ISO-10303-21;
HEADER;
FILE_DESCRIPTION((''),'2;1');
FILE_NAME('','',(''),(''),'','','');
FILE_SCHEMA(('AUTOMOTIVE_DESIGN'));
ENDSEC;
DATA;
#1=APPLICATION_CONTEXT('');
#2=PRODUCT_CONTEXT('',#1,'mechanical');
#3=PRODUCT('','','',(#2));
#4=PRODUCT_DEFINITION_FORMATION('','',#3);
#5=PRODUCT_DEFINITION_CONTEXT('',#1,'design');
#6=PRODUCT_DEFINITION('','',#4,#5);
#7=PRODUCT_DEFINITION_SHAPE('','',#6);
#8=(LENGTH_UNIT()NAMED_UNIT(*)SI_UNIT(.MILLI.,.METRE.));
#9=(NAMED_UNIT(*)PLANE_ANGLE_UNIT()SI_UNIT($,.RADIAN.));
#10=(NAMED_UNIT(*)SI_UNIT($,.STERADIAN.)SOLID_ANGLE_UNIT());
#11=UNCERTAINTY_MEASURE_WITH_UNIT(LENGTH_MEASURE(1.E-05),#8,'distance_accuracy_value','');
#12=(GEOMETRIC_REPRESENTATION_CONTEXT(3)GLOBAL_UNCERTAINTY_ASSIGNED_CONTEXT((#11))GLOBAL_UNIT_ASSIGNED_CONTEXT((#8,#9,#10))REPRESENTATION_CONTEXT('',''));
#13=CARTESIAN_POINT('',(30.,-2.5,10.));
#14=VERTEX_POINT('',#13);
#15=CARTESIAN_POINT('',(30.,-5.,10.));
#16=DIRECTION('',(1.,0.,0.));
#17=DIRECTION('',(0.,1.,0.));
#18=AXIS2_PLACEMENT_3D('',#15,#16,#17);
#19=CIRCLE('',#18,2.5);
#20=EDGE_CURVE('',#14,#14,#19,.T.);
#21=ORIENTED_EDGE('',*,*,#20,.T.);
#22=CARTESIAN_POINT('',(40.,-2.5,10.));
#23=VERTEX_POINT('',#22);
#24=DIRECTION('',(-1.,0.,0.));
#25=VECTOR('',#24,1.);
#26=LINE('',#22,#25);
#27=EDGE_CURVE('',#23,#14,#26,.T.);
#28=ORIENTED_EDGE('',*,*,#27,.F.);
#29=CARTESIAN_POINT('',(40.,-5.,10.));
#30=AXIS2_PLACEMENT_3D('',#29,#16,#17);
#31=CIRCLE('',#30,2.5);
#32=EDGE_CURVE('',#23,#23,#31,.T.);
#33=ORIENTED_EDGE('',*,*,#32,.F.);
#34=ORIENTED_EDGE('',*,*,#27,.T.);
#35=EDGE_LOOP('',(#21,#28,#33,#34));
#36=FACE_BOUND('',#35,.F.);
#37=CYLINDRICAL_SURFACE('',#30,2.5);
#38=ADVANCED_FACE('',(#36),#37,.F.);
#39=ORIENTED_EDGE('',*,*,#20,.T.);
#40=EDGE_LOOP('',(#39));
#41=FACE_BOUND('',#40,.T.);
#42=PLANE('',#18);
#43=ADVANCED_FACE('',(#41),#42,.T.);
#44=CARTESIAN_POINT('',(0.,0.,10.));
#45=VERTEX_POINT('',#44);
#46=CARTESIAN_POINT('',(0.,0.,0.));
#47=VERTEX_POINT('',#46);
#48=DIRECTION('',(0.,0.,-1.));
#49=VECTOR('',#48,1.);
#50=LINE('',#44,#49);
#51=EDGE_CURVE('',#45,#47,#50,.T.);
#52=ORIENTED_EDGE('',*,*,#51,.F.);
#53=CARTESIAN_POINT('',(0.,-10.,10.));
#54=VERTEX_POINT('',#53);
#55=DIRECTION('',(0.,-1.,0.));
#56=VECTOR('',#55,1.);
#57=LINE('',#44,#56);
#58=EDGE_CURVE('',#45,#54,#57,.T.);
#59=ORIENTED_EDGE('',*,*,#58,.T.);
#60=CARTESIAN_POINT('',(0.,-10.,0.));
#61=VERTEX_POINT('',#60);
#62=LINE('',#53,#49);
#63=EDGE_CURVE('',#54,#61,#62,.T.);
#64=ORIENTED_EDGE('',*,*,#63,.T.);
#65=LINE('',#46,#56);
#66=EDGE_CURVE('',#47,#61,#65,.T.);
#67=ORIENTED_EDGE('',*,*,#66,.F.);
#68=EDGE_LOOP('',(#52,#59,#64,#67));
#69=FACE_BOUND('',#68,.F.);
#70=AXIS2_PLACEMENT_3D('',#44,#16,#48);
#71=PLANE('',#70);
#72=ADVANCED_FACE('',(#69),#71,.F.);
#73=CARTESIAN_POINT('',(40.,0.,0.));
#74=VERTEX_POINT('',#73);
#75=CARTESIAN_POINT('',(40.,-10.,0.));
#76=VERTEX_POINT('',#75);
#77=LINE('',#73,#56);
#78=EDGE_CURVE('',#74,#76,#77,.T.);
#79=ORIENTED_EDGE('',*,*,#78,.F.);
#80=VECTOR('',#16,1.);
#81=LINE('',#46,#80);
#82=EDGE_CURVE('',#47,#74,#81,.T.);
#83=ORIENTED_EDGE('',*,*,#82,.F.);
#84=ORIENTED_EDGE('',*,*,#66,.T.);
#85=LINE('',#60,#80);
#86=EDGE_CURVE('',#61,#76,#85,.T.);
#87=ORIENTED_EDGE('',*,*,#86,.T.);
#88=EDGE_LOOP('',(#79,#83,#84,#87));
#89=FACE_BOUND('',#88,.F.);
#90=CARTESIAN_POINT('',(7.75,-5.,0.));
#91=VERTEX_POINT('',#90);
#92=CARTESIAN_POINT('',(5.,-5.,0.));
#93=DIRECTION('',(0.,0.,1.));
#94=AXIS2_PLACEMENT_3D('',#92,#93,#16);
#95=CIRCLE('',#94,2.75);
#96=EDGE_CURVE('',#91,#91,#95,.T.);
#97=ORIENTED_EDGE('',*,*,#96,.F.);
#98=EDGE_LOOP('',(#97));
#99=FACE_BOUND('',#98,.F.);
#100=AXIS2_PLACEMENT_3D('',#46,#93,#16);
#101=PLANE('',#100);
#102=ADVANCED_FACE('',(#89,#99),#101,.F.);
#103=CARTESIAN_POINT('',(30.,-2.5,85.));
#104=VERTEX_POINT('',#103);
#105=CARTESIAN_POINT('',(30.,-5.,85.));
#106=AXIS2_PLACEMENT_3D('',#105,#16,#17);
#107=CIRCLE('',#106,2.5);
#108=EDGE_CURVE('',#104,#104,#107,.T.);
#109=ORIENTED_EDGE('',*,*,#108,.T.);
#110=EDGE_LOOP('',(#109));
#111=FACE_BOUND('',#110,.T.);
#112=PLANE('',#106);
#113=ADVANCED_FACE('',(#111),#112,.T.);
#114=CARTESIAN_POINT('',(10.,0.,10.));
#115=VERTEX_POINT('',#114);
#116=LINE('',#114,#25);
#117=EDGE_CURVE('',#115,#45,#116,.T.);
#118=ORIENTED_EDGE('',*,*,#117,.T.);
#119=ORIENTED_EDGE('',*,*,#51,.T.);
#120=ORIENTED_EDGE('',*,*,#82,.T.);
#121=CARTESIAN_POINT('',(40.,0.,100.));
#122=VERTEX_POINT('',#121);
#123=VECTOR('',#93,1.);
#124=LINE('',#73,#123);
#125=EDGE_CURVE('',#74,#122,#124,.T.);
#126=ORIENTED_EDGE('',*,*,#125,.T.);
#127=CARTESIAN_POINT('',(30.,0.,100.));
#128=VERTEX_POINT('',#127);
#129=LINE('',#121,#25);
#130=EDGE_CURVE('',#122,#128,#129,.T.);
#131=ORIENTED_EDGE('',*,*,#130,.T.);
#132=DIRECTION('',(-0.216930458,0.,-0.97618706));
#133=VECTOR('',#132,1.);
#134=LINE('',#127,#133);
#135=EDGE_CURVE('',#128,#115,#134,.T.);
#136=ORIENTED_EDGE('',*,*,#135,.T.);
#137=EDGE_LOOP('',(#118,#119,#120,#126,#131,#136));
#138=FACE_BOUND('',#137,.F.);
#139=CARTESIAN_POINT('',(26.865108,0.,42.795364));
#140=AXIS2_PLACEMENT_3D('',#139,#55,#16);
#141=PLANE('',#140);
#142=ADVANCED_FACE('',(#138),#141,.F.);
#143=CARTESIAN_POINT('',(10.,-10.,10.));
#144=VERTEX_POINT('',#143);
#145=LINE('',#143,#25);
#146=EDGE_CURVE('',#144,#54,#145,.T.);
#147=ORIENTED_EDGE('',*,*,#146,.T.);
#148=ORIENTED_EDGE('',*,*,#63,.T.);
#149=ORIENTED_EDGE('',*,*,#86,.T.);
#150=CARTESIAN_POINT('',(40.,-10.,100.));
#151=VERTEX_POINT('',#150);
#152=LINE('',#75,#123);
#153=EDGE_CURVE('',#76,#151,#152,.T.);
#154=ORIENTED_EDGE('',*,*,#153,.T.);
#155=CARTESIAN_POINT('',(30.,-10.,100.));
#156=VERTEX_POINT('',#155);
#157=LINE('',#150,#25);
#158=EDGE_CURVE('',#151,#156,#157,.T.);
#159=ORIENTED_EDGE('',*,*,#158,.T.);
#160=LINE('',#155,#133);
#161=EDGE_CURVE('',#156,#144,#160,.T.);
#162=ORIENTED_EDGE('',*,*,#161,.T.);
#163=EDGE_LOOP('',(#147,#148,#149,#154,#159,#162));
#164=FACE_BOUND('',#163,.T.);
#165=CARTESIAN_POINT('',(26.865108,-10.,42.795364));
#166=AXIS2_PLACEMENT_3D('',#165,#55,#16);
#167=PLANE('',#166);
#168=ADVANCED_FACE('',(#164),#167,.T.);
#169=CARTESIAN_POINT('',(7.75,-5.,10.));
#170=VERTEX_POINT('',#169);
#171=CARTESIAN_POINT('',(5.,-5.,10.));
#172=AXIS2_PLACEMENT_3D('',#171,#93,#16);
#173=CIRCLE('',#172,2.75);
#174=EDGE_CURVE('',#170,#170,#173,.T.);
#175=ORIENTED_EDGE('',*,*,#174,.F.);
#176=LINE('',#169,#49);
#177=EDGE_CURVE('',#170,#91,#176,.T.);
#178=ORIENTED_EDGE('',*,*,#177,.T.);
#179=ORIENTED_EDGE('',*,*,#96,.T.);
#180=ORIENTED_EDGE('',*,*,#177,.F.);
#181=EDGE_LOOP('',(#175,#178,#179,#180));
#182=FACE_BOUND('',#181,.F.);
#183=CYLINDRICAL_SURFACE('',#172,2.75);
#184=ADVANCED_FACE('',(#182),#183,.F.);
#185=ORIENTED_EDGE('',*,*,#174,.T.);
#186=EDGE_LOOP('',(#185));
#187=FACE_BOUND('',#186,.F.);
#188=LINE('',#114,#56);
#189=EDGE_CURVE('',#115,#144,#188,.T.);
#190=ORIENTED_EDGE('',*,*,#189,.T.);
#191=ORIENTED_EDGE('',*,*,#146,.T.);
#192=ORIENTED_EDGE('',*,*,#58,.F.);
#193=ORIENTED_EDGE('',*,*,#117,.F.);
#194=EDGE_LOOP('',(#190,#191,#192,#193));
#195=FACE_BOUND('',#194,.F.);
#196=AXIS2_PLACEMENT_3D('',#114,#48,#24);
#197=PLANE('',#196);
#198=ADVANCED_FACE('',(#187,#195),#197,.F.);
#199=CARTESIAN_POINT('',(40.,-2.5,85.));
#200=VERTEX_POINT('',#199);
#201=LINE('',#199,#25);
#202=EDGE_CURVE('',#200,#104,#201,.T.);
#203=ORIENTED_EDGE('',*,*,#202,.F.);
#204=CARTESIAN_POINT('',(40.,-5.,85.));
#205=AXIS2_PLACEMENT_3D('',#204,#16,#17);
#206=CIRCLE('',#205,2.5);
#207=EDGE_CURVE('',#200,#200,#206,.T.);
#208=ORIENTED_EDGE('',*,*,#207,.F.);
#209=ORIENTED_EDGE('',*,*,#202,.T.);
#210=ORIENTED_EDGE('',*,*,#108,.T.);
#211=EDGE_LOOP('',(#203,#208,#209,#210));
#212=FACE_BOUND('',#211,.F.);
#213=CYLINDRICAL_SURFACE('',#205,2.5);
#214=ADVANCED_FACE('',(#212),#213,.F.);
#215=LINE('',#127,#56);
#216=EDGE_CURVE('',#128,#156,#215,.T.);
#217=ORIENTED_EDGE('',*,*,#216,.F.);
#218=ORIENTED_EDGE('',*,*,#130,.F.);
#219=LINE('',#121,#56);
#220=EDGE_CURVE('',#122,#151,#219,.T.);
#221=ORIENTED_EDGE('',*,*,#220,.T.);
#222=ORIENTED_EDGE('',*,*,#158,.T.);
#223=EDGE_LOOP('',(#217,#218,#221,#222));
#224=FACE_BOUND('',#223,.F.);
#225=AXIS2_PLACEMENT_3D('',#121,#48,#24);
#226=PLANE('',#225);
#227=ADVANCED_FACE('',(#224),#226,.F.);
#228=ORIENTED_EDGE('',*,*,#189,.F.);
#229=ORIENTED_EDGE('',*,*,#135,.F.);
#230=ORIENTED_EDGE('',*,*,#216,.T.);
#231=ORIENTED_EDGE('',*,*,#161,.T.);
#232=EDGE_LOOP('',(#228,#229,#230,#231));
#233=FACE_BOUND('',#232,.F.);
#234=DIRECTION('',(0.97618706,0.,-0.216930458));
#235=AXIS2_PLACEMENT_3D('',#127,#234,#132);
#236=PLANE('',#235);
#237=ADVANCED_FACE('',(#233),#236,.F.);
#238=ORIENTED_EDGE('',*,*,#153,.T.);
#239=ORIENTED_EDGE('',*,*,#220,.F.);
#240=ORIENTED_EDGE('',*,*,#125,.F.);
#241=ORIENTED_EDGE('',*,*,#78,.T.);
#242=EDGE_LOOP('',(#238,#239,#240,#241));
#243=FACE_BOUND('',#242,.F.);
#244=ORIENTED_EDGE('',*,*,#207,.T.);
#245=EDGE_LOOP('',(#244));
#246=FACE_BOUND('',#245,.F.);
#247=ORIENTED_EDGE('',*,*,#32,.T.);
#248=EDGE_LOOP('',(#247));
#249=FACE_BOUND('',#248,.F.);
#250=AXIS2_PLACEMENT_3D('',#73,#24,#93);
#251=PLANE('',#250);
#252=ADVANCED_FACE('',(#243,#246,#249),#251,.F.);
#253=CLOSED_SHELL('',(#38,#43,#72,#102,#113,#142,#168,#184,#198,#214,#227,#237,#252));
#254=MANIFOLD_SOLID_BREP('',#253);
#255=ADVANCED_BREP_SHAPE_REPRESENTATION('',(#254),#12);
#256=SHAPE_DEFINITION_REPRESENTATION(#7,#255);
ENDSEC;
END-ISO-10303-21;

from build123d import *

# Parameters (mm, degrees)
F1_DEPTH = 10
F2_R     = 2.75
F3_DEPTH = 25
F4_R     = 2.5
F5_DEPTH = 10


with BuildPart() as f1:
    # F0 (on Front) → F1 (new body)
    with BuildSketch(Plane.XZ):
        Polygon((0, 10), (0, 0), (40, 0), (40, 100), (30, 100), (10, 10), align=None)
    extrude(amount=F1_DEPTH)

    # F2 (on face) → F3 (cut)
    with BuildSketch(Plane.XY.offset(10)):
        with Locations((5, -5)):
            Circle(F2_R)
    extrude(amount=-F3_DEPTH, mode=Mode.SUBTRACT)

    # F4 (on face) → F5 (cut)
    with BuildSketch(Plane.YZ.offset(40)):
        with Locations((-5, 85)):
            Circle(F4_R)
        with Locations((-5, 10)):
            Circle(F4_R)
    extrude(amount=-F5_DEPTH, mode=Mode.SUBTRACT)


solid = f1.part
